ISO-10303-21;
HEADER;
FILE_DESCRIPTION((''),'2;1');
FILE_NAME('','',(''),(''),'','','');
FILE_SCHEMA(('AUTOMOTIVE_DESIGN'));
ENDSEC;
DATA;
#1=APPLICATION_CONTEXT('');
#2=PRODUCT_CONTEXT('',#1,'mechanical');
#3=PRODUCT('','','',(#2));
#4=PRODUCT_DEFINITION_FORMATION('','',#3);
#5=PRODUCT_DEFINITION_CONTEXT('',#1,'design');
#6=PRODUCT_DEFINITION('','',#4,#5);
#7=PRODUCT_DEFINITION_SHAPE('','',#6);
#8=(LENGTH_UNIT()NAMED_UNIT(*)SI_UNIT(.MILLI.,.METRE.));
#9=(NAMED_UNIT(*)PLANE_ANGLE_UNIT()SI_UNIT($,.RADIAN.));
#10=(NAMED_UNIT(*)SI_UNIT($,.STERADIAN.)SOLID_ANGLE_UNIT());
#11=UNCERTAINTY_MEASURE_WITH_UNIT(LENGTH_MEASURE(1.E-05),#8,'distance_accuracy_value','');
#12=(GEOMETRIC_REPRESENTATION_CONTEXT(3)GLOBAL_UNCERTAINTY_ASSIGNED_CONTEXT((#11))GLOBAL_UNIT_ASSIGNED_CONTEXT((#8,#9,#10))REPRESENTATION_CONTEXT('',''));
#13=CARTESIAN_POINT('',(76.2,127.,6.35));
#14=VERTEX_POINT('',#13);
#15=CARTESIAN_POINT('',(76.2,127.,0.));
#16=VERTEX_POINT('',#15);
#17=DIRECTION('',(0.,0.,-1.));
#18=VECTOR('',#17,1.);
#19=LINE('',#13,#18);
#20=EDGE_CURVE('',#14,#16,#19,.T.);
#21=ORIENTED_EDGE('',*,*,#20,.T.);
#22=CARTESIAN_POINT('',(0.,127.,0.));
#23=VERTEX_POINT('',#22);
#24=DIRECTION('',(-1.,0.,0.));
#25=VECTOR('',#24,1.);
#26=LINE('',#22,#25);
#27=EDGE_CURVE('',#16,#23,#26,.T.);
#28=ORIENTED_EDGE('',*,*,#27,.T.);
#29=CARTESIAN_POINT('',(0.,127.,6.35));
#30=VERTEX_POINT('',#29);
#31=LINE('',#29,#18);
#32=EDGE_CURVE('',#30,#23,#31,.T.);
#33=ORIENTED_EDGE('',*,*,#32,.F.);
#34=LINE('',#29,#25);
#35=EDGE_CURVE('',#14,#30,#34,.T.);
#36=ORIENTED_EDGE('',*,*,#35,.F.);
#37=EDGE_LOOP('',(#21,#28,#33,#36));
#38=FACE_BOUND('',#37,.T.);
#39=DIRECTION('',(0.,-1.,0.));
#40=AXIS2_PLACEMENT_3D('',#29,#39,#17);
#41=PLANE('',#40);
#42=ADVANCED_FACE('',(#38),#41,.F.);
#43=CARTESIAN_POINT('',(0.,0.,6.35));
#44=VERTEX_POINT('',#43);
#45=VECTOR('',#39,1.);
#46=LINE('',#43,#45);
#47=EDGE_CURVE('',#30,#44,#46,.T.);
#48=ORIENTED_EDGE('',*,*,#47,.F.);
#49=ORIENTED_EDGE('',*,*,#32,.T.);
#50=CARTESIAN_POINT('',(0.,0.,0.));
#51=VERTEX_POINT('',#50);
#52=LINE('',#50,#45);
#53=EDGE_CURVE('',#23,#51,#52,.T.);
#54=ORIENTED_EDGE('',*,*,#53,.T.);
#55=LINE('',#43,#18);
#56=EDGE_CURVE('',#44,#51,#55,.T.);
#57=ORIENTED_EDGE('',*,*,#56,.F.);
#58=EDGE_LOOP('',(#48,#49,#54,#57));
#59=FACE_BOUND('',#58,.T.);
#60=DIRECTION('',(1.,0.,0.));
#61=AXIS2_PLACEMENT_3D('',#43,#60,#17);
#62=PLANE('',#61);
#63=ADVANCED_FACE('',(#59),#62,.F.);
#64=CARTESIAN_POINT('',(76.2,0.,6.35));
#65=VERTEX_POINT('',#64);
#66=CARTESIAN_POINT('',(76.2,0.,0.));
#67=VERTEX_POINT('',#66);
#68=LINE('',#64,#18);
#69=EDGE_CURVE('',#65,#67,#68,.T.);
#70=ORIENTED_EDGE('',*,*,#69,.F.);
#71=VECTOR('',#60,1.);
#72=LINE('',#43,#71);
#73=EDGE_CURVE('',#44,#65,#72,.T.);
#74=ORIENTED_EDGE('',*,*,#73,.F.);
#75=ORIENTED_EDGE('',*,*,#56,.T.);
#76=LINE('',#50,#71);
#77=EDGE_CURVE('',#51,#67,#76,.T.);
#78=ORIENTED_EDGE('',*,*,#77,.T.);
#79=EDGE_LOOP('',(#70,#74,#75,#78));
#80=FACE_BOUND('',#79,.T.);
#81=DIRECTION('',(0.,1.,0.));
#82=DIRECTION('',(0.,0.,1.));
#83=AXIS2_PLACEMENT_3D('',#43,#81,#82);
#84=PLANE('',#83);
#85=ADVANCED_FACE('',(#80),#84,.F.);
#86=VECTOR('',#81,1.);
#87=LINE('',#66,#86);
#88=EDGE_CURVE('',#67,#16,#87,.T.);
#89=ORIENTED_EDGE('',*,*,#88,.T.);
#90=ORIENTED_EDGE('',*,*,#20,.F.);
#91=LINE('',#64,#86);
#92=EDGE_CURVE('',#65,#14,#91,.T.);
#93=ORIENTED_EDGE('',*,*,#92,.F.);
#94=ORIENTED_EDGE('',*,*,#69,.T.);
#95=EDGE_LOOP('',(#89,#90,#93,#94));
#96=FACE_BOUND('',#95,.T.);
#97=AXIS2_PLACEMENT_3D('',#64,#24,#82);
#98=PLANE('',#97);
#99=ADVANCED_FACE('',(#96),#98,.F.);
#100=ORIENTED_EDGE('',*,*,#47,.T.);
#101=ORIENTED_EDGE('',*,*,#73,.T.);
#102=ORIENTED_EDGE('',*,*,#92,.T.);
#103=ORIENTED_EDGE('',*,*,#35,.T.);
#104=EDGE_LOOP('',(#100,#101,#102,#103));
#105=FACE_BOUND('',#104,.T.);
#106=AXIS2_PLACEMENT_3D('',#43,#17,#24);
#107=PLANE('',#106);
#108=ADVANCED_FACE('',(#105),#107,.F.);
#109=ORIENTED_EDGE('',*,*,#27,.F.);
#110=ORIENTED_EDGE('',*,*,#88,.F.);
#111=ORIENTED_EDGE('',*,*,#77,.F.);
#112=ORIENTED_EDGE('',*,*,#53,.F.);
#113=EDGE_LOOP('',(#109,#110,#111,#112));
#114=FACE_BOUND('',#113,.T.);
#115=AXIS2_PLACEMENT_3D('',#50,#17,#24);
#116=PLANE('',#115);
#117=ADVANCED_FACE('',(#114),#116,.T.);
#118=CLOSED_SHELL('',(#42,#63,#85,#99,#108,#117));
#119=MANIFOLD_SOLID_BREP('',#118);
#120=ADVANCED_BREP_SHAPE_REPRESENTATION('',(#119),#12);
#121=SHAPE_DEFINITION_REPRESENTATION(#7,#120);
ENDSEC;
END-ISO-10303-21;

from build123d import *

# Parameters (mm, degrees)
SKETCH1_W           = 76.2
SKETCH1_H           = 127
BOSS_EXTRUDE1_DEPTH = 6.35


with BuildPart() as part:
    # Sketch1 → Boss-Extrude1 (new body)
    with BuildSketch(Plane.XY):
        with Locations((38.1, 63.5)):
            Rectangle(SKETCH1_W, SKETCH1_H)
    extrude(amount=BOSS_EXTRUDE1_DEPTH)


solid = part.part
